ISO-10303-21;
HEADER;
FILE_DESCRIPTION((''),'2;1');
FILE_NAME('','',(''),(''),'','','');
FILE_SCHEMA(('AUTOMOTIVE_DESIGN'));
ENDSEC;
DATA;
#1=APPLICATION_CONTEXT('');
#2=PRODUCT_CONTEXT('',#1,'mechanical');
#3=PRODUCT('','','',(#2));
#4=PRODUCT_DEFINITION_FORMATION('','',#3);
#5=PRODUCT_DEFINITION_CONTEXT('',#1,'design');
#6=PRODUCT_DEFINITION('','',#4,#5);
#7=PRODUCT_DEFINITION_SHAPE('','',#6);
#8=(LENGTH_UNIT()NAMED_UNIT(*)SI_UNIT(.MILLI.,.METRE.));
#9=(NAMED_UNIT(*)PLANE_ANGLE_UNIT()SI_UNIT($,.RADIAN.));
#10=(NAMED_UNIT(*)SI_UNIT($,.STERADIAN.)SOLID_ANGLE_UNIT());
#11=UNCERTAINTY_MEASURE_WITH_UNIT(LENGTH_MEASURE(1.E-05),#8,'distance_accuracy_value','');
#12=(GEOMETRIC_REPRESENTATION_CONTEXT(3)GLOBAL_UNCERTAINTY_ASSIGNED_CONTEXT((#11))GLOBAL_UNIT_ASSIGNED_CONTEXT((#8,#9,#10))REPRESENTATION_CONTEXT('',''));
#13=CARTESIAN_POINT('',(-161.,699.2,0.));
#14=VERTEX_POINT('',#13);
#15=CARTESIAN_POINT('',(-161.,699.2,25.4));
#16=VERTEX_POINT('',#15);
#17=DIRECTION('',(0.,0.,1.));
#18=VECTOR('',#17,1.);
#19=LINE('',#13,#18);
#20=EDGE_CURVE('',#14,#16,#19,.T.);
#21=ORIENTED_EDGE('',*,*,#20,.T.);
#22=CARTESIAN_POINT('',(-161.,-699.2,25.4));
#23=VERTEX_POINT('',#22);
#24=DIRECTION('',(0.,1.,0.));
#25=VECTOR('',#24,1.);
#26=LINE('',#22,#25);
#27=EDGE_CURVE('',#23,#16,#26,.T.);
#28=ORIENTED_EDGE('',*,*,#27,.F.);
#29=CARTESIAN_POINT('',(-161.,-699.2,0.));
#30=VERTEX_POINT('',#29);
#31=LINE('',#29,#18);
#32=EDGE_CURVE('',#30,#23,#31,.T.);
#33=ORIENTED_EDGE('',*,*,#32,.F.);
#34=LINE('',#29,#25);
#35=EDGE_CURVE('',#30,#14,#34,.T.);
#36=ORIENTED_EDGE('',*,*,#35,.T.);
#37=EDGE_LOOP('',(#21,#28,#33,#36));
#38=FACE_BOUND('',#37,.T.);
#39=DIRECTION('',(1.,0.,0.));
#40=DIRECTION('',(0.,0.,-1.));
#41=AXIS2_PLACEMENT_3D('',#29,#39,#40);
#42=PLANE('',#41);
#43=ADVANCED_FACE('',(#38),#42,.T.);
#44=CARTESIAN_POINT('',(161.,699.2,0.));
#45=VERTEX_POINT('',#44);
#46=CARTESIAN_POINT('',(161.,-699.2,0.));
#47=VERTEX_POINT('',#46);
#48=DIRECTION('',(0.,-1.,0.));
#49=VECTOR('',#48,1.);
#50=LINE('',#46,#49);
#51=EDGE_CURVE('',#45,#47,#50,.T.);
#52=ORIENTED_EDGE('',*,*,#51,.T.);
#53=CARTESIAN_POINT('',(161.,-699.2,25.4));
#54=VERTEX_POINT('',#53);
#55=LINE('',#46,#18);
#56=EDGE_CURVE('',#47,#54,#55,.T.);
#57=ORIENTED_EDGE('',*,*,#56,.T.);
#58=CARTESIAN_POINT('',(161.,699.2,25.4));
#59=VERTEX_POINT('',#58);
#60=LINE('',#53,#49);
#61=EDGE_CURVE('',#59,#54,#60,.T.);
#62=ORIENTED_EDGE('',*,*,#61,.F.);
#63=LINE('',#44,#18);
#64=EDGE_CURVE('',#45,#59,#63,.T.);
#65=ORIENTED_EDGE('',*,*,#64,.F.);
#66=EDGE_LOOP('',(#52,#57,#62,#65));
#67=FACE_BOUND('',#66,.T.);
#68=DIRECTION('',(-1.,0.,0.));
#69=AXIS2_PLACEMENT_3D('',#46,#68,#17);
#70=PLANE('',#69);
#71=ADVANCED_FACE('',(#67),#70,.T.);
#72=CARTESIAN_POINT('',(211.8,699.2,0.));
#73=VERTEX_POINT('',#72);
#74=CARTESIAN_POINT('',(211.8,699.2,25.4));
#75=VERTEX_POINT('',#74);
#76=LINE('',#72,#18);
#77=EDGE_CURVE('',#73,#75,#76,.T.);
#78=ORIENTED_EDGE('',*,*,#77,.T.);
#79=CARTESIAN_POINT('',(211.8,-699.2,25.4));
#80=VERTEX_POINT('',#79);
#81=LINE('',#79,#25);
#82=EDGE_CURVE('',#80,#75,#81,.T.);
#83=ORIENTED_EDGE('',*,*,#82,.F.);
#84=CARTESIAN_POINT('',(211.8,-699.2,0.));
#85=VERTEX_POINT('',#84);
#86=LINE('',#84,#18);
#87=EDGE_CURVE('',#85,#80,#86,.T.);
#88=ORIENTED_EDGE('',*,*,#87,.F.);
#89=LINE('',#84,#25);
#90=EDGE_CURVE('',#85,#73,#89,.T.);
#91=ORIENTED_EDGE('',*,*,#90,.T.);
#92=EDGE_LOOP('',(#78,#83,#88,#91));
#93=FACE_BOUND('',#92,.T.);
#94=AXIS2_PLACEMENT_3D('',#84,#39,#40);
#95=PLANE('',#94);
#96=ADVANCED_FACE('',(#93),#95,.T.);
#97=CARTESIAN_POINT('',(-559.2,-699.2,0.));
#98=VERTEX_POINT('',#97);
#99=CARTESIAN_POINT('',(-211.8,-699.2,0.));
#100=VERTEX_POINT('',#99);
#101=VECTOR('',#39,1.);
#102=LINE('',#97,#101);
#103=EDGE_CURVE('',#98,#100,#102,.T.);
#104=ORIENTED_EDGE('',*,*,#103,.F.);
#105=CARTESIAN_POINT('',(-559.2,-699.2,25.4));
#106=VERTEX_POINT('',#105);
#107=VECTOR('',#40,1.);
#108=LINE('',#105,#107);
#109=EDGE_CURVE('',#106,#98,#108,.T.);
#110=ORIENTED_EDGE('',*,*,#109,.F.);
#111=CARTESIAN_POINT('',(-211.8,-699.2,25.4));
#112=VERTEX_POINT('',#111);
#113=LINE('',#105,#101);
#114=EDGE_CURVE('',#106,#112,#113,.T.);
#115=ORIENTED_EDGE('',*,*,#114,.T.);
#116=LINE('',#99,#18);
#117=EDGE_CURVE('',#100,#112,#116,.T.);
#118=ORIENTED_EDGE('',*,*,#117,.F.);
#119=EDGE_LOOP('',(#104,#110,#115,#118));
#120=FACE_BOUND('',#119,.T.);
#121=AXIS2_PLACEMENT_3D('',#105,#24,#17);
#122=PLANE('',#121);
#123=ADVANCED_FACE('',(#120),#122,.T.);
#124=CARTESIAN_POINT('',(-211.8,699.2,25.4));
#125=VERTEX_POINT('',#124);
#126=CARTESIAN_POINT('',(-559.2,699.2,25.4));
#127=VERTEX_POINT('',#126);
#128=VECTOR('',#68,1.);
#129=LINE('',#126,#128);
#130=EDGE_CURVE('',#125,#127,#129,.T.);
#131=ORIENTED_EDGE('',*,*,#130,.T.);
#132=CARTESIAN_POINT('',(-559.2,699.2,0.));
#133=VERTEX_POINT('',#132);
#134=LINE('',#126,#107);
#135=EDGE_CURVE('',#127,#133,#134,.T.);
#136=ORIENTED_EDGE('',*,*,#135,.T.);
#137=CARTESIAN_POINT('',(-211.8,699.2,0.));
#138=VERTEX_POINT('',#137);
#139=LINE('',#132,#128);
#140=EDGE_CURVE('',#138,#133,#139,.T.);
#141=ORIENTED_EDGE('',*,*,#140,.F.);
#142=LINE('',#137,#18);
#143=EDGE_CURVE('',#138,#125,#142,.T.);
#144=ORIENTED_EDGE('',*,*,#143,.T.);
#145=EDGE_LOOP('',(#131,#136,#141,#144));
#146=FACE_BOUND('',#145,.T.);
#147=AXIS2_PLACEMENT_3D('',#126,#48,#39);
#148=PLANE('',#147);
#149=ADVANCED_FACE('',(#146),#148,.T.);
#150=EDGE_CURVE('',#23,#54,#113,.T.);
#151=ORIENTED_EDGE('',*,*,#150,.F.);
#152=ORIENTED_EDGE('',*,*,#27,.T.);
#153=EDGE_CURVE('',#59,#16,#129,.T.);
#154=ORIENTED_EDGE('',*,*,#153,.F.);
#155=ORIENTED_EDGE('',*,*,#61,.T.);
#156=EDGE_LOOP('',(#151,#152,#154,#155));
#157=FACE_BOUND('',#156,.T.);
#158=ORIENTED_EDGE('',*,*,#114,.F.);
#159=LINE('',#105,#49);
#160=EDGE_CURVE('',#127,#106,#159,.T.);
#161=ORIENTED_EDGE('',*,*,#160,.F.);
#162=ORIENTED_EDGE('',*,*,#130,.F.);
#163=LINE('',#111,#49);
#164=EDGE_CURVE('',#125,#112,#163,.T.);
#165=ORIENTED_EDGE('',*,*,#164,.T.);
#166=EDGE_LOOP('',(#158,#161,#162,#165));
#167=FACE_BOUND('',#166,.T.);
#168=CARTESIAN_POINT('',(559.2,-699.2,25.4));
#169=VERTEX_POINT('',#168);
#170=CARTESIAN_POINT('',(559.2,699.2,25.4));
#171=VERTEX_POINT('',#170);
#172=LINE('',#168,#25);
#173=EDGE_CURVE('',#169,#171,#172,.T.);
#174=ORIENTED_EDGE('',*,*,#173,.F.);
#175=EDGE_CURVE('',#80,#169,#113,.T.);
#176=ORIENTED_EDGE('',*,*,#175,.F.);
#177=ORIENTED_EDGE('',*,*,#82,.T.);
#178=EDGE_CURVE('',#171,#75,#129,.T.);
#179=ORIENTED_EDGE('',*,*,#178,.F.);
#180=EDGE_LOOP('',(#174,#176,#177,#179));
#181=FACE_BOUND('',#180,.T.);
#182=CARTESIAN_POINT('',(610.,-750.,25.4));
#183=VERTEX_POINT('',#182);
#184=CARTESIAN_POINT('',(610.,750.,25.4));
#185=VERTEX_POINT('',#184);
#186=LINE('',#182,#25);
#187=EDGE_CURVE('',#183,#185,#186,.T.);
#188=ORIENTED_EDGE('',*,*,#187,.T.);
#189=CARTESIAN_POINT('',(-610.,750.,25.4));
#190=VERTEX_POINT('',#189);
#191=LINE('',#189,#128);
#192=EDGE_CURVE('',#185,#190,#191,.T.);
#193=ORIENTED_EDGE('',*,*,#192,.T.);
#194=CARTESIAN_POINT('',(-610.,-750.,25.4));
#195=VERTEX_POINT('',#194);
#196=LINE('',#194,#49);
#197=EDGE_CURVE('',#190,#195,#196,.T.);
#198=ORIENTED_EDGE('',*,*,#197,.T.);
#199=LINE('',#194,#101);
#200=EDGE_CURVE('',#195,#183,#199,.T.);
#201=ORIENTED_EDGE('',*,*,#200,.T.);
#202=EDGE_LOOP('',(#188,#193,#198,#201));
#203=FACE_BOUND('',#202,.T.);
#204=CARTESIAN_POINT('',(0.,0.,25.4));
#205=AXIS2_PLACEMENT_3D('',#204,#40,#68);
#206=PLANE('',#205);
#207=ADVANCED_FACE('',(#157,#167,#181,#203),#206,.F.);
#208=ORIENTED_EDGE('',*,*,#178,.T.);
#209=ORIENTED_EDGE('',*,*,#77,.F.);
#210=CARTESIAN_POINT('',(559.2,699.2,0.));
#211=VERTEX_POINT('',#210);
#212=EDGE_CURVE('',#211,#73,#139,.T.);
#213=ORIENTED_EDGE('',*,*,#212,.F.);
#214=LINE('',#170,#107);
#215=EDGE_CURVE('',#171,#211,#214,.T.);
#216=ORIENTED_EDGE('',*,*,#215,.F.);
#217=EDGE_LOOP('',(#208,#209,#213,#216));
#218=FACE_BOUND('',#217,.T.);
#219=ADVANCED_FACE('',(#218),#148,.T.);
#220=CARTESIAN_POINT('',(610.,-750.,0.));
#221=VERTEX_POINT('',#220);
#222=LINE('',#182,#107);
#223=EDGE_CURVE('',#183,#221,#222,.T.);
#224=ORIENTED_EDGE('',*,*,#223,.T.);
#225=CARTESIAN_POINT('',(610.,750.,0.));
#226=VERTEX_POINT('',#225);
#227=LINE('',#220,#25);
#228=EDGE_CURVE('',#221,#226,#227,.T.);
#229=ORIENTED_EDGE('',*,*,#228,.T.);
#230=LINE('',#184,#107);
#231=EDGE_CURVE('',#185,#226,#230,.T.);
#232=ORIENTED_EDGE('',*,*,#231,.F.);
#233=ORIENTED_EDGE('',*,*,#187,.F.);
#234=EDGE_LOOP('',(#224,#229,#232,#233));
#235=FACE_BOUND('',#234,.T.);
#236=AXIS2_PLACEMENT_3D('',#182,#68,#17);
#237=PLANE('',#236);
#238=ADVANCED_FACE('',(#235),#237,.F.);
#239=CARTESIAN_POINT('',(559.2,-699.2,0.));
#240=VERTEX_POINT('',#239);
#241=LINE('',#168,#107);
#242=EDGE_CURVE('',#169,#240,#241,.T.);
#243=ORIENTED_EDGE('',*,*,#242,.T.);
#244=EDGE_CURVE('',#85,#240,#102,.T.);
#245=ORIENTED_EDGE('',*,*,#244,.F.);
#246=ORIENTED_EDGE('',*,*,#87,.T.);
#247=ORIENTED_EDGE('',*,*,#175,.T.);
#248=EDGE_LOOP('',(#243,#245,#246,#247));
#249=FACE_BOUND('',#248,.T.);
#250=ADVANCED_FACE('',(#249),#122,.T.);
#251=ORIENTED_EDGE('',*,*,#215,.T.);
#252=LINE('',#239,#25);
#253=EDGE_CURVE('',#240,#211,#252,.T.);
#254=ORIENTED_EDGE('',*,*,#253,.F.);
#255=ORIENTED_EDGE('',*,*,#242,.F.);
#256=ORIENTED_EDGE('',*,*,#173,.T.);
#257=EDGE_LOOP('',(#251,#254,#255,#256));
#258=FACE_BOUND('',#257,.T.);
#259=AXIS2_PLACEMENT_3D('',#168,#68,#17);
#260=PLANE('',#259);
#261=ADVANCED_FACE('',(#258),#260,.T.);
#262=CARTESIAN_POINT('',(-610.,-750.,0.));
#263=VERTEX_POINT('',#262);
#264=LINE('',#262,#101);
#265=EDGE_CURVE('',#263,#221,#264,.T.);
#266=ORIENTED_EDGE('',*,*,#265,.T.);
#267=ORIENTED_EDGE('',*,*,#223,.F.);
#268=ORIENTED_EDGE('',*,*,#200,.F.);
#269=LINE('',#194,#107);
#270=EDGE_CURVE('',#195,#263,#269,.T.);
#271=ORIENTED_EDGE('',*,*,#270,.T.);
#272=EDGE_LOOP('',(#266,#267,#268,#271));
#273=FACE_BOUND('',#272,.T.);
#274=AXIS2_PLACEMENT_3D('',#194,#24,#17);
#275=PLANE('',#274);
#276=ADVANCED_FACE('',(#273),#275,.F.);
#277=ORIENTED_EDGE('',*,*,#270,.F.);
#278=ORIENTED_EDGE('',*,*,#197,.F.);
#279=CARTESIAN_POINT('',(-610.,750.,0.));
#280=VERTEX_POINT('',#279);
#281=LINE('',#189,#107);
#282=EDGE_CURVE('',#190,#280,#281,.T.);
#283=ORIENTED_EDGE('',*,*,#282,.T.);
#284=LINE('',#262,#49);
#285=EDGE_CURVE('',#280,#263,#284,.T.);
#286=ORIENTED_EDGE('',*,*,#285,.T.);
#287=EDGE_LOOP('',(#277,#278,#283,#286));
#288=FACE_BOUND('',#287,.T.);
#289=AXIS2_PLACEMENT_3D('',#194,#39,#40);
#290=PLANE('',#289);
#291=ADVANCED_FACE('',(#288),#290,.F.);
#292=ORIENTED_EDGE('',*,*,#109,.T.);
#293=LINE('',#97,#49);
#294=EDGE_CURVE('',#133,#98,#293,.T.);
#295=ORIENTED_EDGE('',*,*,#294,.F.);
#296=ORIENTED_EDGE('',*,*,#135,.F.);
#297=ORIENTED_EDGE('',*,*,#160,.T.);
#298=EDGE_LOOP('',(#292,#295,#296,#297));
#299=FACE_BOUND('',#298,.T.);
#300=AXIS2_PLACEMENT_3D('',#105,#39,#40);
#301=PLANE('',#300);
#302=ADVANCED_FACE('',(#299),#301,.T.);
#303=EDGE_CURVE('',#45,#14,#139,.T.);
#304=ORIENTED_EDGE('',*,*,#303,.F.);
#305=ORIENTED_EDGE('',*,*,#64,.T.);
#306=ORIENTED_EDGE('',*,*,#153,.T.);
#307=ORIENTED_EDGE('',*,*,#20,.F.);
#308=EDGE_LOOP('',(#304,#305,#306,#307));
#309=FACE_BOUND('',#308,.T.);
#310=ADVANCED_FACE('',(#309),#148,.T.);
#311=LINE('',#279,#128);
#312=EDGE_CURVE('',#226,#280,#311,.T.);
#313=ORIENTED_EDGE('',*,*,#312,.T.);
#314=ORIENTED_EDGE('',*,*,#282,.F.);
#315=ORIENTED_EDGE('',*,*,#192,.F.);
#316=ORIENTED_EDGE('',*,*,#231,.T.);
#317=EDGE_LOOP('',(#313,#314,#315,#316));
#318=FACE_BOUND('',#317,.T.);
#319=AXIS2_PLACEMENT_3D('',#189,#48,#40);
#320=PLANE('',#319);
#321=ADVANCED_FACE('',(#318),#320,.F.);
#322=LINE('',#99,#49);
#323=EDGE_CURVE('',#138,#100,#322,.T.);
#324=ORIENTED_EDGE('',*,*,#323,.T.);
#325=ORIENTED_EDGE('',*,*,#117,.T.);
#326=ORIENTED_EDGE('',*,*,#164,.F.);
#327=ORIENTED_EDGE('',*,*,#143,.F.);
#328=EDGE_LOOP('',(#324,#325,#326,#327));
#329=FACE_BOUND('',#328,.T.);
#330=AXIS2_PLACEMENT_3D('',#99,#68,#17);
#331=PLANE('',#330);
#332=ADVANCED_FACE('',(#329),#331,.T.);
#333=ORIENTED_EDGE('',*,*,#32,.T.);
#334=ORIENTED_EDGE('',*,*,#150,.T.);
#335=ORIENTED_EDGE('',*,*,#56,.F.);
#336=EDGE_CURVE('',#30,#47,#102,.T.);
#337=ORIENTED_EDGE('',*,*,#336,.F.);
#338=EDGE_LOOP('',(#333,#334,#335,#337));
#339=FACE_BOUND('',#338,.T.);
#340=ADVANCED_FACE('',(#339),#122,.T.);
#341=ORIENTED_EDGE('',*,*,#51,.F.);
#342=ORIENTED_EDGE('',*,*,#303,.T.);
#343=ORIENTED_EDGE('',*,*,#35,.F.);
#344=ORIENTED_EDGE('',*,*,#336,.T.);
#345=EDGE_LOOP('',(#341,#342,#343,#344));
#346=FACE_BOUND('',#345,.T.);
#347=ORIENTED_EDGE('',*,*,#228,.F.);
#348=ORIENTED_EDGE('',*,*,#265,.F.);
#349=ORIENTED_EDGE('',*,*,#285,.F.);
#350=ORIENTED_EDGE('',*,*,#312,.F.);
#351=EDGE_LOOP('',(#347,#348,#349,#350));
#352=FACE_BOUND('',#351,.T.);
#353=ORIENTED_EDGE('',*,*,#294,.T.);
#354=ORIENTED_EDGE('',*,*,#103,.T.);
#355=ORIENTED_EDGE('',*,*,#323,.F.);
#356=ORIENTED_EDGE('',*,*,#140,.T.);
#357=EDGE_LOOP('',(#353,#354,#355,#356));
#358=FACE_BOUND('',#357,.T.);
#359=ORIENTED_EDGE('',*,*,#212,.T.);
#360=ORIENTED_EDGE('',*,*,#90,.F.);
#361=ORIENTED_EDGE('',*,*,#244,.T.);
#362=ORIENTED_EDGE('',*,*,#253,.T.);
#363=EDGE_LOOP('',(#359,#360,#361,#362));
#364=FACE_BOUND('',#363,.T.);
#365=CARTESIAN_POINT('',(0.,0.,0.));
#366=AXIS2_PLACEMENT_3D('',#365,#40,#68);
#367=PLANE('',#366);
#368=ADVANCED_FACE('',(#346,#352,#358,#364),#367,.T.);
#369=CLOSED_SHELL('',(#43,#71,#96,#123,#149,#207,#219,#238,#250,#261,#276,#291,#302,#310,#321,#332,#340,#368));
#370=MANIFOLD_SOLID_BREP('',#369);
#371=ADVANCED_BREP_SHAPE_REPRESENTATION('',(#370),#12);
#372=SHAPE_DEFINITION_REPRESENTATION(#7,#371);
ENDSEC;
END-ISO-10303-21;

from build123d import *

# Parameters (mm, degrees)
CROQUIS1_W              = 1220
CROQUIS1_H              = 1500
CROQUIS1_W_2            = 1118.4
CROQUIS1_H_2            = 1398.4
SALIENTE_EXTRUIR1_DEPTH = 25.4
CROQUIS2_W              = 50.8
CROQUIS2_H              = 1398.4
SALIENTE_EXTRUIR2_DEPTH = 25.4


with BuildPart() as part:
    # Croquis1 → Saliente-Extruir1 (new body)
    with BuildSketch(Plane.XY):
        Rectangle(CROQUIS1_W, CROQUIS1_H)
        Rectangle(CROQUIS1_W_2, CROQUIS1_H_2, mode=Mode.SUBTRACT)
    extrude(amount=SALIENTE_EXTRUIR1_DEPTH)

    # Croquis2 → Saliente-Extruir2 (add)
    with BuildSketch(Plane.XY.offset(25.4)):
        with Locations((-186.4, 0)):
            Rectangle(CROQUIS2_W, CROQUIS2_H)
        with Locations((186.4, 0)):
            Rectangle(CROQUIS2_W, CROQUIS2_H)
    extrude(amount=-SALIENTE_EXTRUIR2_DEPTH)


solid = part.part
